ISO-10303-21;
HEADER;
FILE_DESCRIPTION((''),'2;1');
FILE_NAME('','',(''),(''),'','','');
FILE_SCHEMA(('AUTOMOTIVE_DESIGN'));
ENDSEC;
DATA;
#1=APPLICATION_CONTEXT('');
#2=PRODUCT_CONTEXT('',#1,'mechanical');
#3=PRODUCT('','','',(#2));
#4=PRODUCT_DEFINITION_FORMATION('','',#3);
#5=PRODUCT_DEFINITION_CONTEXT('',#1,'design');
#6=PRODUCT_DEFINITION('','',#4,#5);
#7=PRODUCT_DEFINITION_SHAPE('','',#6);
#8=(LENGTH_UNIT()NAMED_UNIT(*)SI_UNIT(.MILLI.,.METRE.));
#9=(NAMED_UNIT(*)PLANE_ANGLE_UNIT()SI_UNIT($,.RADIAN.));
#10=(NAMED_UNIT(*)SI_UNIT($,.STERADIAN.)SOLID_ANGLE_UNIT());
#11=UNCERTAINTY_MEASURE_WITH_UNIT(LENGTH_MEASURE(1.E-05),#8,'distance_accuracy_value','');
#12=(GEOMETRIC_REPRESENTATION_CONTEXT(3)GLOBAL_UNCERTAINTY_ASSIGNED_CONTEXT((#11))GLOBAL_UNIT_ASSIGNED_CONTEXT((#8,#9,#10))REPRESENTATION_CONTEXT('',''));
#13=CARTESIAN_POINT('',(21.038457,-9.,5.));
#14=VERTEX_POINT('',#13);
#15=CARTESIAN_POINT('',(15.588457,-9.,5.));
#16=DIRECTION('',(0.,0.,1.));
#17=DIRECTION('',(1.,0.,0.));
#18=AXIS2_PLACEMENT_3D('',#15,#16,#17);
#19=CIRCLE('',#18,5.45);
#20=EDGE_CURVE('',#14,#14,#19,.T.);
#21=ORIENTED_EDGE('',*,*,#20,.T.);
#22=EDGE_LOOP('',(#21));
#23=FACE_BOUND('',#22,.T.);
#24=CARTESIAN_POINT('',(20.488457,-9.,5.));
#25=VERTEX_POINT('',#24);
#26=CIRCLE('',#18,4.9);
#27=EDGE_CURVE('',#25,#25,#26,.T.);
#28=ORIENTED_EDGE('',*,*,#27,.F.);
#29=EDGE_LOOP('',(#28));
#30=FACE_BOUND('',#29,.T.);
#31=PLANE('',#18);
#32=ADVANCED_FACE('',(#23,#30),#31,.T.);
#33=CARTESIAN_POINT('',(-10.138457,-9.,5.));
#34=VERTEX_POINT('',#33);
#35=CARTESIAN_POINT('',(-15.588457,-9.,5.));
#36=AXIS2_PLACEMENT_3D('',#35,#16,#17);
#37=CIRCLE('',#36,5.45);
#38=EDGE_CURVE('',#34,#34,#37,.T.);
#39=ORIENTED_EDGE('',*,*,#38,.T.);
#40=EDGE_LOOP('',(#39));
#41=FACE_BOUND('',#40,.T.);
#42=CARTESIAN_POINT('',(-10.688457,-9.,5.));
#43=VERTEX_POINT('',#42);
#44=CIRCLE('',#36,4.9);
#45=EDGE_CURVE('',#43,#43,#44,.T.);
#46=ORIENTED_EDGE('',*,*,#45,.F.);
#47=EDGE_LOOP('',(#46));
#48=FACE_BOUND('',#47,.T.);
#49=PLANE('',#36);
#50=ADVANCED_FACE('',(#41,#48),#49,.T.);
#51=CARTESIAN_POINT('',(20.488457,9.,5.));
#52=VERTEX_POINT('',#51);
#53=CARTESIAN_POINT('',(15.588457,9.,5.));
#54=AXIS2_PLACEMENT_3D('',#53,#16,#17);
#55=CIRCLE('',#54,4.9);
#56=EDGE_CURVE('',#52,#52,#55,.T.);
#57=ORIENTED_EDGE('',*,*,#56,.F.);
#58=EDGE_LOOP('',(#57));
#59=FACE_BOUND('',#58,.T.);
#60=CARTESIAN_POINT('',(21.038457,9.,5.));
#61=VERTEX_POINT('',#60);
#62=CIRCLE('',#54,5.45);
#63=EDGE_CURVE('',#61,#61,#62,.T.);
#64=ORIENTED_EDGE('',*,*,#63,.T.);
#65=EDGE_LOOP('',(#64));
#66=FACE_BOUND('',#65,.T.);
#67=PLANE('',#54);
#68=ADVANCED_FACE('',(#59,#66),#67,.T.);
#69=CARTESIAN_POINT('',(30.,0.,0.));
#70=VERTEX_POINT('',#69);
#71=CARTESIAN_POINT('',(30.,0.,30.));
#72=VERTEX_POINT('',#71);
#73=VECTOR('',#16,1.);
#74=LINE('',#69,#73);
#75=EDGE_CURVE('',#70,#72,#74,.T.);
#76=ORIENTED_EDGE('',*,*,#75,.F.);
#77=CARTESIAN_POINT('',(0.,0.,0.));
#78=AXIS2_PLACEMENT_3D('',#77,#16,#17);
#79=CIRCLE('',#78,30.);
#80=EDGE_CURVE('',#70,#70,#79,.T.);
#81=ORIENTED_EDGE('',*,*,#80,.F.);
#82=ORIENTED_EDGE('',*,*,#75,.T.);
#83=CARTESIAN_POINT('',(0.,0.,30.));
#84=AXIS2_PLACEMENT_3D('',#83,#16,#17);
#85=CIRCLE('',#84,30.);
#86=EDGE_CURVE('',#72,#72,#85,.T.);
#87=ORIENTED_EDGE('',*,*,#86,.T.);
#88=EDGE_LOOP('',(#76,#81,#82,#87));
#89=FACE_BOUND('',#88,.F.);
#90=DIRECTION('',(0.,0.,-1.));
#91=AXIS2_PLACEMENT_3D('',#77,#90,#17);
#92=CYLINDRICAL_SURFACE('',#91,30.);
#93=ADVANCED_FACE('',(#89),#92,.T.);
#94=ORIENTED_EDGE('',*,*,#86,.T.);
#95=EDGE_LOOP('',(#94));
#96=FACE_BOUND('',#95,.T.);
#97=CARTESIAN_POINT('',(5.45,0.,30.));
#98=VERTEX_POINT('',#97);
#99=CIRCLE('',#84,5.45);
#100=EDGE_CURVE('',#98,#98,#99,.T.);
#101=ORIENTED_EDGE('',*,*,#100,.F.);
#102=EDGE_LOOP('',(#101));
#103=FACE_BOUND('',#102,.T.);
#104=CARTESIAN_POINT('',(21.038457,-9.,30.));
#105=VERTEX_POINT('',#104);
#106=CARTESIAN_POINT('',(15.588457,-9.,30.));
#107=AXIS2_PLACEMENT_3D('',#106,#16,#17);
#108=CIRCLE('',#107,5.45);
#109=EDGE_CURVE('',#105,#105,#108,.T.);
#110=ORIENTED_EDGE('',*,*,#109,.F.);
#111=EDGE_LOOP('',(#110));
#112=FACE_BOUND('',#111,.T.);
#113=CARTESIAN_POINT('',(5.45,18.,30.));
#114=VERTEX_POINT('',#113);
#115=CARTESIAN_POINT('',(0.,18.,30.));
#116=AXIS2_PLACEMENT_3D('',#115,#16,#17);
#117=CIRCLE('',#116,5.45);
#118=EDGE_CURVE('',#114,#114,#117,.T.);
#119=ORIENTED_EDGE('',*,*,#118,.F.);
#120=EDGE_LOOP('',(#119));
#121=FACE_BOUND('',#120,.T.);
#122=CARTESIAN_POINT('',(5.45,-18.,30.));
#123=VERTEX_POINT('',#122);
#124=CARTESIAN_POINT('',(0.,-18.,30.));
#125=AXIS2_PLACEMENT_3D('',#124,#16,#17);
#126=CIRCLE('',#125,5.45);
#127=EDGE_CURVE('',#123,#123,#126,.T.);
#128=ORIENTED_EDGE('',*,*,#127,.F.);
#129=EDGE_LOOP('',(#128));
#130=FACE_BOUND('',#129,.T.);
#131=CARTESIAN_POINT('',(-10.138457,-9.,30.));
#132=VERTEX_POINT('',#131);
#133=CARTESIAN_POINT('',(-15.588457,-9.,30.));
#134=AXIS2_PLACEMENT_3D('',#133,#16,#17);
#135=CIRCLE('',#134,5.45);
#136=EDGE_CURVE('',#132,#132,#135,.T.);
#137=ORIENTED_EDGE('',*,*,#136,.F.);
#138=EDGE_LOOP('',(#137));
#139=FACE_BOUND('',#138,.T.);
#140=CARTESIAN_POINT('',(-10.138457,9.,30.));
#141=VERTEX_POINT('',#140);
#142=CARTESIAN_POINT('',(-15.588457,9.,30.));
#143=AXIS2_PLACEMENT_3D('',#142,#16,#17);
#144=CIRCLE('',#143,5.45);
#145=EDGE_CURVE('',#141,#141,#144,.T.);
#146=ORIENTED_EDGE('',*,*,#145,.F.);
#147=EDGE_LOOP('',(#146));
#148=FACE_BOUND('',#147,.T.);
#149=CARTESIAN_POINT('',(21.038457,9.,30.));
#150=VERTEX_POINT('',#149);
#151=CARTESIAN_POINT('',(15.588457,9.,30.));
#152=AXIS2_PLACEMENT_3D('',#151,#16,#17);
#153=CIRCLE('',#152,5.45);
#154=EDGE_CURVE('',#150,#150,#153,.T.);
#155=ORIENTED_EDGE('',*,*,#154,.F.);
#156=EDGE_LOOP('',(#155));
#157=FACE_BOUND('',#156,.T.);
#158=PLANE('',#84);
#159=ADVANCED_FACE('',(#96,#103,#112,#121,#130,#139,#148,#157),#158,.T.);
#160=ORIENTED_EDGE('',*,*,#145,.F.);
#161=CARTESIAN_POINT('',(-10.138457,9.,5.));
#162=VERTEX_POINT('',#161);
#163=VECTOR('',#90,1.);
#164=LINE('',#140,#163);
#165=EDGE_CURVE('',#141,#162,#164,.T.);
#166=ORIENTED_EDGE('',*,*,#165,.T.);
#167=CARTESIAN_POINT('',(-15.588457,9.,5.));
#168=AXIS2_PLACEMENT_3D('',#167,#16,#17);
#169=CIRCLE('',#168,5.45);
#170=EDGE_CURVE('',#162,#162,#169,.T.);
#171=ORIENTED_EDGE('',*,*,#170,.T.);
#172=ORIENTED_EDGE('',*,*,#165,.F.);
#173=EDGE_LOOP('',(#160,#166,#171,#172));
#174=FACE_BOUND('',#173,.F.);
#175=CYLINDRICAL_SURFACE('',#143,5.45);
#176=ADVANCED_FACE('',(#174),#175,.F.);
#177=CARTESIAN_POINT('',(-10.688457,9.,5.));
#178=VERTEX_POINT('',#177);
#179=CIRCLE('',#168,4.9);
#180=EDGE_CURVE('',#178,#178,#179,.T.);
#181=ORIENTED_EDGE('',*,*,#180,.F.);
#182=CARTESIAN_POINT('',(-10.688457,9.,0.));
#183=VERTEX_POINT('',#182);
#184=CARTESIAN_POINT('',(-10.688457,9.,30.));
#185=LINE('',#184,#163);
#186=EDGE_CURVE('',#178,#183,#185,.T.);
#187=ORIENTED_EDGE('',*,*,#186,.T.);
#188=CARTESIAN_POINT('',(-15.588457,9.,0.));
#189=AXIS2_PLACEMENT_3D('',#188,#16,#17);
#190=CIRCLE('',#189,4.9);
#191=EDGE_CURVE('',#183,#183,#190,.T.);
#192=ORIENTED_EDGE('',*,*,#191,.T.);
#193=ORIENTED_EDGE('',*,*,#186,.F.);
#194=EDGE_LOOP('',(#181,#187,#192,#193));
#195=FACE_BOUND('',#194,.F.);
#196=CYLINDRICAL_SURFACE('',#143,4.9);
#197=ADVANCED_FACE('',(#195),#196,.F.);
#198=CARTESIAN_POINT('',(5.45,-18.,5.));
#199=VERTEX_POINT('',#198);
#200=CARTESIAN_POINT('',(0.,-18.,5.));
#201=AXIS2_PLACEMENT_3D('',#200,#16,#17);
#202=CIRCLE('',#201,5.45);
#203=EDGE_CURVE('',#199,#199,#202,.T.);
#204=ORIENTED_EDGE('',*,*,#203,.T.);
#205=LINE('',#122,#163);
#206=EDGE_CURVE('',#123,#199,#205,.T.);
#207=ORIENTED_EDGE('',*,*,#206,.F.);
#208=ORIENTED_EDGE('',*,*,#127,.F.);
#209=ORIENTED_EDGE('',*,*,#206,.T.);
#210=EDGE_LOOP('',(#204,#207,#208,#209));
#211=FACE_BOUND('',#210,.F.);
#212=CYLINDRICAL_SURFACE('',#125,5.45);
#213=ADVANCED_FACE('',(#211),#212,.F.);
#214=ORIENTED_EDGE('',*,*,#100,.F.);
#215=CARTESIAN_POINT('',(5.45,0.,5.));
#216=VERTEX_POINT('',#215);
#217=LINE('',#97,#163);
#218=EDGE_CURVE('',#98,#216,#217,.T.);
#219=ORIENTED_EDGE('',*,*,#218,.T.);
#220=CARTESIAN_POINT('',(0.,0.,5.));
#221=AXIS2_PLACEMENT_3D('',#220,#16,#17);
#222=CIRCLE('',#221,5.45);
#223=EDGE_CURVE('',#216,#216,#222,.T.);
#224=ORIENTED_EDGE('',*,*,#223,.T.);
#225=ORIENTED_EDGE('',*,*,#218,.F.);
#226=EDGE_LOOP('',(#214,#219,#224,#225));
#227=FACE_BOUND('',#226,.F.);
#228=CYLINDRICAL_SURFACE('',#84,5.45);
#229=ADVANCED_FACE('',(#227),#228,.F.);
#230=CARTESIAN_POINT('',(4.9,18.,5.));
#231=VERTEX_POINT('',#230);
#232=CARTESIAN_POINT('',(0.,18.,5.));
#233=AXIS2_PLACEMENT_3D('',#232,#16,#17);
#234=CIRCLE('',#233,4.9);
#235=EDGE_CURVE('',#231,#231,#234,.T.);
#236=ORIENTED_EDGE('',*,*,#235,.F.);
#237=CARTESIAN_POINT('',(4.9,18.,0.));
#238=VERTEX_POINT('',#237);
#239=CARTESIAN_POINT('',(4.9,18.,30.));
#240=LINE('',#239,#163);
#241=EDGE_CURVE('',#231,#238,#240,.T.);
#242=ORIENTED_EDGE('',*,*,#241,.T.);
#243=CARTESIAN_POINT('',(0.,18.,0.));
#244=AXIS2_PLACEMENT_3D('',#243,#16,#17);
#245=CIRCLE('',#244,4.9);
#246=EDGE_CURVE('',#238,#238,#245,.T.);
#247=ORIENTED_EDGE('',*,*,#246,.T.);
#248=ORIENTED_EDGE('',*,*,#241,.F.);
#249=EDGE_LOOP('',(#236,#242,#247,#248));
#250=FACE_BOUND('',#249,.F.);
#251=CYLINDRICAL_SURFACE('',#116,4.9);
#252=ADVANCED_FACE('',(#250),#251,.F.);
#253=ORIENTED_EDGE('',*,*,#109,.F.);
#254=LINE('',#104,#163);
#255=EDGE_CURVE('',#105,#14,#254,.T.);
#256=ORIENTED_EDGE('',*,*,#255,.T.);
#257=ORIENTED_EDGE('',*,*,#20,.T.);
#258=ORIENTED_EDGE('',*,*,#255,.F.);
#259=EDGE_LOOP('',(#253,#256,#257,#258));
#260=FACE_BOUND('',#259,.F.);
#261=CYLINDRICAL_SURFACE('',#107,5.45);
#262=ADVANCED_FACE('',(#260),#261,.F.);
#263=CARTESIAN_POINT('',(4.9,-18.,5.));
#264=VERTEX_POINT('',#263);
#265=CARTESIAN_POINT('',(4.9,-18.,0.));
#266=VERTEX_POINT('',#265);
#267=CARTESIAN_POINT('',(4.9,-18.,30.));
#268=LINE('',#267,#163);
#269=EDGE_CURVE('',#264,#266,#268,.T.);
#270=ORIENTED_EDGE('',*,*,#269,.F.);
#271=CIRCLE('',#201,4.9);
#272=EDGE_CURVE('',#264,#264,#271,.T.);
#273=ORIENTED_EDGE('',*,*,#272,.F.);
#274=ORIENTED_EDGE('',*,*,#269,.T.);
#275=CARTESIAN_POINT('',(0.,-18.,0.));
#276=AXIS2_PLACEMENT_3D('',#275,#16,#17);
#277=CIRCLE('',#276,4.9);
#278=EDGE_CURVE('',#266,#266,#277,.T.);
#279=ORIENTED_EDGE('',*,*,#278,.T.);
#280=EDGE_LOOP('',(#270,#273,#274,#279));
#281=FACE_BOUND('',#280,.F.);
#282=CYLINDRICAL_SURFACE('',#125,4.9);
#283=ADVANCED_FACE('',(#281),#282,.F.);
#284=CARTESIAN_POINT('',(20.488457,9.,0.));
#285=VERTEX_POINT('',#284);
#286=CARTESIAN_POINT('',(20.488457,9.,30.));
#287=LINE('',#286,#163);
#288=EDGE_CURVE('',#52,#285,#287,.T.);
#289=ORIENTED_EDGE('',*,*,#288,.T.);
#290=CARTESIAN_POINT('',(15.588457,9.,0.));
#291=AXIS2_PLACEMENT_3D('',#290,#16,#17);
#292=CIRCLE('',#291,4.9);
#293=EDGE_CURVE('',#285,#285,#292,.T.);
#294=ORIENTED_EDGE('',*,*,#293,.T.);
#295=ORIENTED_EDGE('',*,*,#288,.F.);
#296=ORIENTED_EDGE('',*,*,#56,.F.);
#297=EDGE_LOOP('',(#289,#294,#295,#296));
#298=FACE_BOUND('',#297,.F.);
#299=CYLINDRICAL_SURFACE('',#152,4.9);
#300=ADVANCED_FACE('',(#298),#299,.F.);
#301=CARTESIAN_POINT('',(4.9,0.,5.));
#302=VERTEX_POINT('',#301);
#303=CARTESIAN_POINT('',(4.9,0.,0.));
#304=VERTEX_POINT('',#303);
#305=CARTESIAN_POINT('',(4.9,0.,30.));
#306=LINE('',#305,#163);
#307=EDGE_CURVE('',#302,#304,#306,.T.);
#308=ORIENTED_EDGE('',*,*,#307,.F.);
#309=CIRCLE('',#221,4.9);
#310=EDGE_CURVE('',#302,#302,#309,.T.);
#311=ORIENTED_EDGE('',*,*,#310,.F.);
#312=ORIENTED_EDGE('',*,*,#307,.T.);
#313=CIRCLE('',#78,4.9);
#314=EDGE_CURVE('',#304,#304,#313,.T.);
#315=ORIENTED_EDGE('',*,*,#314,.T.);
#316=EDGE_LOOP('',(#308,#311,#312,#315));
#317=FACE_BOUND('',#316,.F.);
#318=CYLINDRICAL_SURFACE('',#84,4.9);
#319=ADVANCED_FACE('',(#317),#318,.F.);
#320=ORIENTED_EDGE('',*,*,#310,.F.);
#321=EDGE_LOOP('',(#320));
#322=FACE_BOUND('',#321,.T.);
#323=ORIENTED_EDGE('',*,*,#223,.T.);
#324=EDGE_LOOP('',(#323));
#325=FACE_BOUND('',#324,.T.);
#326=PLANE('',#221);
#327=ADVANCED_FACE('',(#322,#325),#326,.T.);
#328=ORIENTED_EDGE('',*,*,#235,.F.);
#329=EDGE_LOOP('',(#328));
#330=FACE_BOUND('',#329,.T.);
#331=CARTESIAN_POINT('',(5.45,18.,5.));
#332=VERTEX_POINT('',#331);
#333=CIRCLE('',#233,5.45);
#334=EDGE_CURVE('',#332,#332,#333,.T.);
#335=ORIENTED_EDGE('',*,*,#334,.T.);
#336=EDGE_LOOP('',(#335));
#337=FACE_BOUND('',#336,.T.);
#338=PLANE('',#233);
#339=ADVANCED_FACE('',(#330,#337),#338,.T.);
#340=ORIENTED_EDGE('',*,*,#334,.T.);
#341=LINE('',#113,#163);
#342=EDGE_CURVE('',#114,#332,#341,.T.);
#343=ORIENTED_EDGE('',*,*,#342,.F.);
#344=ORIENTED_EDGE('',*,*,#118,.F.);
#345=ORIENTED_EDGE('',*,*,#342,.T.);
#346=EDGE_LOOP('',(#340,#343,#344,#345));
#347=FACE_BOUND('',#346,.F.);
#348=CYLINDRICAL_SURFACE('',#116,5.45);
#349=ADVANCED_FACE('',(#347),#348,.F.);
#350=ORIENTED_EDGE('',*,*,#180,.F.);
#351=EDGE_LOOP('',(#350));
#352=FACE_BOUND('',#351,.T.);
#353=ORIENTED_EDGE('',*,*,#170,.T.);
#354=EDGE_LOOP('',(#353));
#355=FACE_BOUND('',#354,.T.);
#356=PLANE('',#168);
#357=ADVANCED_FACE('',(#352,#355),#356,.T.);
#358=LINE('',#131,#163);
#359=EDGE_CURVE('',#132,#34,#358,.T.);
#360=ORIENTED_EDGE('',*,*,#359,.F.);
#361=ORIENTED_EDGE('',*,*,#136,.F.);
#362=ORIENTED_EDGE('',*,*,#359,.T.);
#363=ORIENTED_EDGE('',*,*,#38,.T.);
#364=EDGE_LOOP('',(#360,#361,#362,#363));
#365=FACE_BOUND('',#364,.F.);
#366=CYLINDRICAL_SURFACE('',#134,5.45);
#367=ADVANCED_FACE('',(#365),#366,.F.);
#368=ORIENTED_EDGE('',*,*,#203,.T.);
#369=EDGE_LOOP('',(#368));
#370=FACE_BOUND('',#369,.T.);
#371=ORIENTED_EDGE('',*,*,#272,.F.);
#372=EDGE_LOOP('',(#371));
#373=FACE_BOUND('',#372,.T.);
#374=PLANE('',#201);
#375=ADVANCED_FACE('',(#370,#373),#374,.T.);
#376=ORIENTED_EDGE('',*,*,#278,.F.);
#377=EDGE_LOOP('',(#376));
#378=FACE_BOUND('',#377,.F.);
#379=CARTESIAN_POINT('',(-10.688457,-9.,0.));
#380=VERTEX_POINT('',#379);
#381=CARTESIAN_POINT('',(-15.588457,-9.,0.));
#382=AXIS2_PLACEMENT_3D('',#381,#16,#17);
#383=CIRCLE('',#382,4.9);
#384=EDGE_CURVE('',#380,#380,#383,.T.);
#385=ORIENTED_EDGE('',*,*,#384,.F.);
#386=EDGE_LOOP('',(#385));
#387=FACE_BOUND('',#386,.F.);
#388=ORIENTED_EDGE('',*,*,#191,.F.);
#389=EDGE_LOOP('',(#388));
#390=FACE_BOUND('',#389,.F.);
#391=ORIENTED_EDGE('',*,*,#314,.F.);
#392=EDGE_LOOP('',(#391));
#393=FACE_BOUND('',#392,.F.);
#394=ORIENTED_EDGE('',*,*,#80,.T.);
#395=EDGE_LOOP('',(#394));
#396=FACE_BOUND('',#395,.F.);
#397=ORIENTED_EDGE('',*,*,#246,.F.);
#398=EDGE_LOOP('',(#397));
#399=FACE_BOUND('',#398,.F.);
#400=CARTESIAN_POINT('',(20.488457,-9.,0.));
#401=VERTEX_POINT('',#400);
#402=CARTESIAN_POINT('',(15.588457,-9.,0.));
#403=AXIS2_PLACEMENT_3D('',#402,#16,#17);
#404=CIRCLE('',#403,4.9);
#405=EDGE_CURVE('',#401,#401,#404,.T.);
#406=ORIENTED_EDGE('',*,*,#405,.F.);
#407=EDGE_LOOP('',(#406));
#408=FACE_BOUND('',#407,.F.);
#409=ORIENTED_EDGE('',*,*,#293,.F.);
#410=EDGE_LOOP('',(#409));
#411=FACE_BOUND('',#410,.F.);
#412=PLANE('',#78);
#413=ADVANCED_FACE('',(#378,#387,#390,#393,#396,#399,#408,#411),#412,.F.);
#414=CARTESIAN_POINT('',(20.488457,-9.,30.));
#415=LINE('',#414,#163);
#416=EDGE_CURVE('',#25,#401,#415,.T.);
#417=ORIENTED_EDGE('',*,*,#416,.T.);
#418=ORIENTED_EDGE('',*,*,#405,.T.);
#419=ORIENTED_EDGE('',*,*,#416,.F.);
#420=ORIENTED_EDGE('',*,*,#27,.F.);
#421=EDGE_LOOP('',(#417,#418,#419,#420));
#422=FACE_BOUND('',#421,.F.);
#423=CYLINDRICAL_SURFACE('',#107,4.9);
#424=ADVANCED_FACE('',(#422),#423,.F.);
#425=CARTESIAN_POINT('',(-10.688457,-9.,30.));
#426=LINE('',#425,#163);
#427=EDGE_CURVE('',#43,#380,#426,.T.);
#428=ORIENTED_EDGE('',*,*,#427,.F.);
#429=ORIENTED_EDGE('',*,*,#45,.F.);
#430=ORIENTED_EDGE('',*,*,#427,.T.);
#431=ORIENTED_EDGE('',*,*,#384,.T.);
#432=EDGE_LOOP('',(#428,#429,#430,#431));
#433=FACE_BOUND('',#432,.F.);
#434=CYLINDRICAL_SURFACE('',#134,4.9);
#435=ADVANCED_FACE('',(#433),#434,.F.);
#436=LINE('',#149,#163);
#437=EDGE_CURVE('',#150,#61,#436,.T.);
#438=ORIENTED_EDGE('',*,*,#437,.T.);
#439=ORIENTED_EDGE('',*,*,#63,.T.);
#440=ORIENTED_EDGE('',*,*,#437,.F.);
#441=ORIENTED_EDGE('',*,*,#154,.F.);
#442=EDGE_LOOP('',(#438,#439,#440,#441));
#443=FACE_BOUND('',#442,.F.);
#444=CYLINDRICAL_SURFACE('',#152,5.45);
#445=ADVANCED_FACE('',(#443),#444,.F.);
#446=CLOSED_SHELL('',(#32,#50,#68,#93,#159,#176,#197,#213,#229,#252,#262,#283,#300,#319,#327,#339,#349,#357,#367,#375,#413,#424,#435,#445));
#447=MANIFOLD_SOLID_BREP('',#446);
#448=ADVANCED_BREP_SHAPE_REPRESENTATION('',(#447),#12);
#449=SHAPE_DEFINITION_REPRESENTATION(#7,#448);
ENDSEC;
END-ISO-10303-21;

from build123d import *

# Parameters (mm, degrees)
F0_R     = 30
F1_DEPTH = 30
F2_R     = 4.9
F3_DEPTH = 30
F4_R     = 5.45
F5_DEPTH = 25


with BuildPart() as f1:
    # F0 (on Top) → F1 (new body)
    with BuildSketch(Plane.XY):
        Circle(F0_R)
    extrude(amount=F1_DEPTH)

    # F2 (on face) → F3 (cut, through all)
    with BuildSketch(Plane.XY.offset(30)):
        Circle(F2_R)
        with Locations((0, 18)):
            Circle(F2_R)
        with Locations((-15.588457, 9)):
            Circle(F2_R)
        with Locations((-15.588457, -9)):
            Circle(F2_R)
        with Locations((0, -18)):
            Circle(F2_R)
        with Locations((15.588457, -9)):
            Circle(F2_R)
        with Locations((15.588457, 9)):
            Circle(F2_R)
    extrude(amount=-F3_DEPTH, mode=Mode.SUBTRACT)

    # F4 (on face) → F5 (cut)
    with BuildSketch(Plane.XY.offset(30)):
        Circle(F4_R)
        with Locations((0, 18)):
            Circle(F4_R)
        with Locations((-15.588457, 9)):
            Circle(F4_R)
        with Locations((-15.588457, -9)):
            Circle(F4_R)
        with Locations((0, -18)):
            Circle(F4_R)
        with Locations((15.588457, -9)):
            Circle(F4_R)
        with Locations((15.588457, 9)):
            Circle(F4_R)
    extrude(amount=-F5_DEPTH, mode=Mode.SUBTRACT)


solid = f1.part
